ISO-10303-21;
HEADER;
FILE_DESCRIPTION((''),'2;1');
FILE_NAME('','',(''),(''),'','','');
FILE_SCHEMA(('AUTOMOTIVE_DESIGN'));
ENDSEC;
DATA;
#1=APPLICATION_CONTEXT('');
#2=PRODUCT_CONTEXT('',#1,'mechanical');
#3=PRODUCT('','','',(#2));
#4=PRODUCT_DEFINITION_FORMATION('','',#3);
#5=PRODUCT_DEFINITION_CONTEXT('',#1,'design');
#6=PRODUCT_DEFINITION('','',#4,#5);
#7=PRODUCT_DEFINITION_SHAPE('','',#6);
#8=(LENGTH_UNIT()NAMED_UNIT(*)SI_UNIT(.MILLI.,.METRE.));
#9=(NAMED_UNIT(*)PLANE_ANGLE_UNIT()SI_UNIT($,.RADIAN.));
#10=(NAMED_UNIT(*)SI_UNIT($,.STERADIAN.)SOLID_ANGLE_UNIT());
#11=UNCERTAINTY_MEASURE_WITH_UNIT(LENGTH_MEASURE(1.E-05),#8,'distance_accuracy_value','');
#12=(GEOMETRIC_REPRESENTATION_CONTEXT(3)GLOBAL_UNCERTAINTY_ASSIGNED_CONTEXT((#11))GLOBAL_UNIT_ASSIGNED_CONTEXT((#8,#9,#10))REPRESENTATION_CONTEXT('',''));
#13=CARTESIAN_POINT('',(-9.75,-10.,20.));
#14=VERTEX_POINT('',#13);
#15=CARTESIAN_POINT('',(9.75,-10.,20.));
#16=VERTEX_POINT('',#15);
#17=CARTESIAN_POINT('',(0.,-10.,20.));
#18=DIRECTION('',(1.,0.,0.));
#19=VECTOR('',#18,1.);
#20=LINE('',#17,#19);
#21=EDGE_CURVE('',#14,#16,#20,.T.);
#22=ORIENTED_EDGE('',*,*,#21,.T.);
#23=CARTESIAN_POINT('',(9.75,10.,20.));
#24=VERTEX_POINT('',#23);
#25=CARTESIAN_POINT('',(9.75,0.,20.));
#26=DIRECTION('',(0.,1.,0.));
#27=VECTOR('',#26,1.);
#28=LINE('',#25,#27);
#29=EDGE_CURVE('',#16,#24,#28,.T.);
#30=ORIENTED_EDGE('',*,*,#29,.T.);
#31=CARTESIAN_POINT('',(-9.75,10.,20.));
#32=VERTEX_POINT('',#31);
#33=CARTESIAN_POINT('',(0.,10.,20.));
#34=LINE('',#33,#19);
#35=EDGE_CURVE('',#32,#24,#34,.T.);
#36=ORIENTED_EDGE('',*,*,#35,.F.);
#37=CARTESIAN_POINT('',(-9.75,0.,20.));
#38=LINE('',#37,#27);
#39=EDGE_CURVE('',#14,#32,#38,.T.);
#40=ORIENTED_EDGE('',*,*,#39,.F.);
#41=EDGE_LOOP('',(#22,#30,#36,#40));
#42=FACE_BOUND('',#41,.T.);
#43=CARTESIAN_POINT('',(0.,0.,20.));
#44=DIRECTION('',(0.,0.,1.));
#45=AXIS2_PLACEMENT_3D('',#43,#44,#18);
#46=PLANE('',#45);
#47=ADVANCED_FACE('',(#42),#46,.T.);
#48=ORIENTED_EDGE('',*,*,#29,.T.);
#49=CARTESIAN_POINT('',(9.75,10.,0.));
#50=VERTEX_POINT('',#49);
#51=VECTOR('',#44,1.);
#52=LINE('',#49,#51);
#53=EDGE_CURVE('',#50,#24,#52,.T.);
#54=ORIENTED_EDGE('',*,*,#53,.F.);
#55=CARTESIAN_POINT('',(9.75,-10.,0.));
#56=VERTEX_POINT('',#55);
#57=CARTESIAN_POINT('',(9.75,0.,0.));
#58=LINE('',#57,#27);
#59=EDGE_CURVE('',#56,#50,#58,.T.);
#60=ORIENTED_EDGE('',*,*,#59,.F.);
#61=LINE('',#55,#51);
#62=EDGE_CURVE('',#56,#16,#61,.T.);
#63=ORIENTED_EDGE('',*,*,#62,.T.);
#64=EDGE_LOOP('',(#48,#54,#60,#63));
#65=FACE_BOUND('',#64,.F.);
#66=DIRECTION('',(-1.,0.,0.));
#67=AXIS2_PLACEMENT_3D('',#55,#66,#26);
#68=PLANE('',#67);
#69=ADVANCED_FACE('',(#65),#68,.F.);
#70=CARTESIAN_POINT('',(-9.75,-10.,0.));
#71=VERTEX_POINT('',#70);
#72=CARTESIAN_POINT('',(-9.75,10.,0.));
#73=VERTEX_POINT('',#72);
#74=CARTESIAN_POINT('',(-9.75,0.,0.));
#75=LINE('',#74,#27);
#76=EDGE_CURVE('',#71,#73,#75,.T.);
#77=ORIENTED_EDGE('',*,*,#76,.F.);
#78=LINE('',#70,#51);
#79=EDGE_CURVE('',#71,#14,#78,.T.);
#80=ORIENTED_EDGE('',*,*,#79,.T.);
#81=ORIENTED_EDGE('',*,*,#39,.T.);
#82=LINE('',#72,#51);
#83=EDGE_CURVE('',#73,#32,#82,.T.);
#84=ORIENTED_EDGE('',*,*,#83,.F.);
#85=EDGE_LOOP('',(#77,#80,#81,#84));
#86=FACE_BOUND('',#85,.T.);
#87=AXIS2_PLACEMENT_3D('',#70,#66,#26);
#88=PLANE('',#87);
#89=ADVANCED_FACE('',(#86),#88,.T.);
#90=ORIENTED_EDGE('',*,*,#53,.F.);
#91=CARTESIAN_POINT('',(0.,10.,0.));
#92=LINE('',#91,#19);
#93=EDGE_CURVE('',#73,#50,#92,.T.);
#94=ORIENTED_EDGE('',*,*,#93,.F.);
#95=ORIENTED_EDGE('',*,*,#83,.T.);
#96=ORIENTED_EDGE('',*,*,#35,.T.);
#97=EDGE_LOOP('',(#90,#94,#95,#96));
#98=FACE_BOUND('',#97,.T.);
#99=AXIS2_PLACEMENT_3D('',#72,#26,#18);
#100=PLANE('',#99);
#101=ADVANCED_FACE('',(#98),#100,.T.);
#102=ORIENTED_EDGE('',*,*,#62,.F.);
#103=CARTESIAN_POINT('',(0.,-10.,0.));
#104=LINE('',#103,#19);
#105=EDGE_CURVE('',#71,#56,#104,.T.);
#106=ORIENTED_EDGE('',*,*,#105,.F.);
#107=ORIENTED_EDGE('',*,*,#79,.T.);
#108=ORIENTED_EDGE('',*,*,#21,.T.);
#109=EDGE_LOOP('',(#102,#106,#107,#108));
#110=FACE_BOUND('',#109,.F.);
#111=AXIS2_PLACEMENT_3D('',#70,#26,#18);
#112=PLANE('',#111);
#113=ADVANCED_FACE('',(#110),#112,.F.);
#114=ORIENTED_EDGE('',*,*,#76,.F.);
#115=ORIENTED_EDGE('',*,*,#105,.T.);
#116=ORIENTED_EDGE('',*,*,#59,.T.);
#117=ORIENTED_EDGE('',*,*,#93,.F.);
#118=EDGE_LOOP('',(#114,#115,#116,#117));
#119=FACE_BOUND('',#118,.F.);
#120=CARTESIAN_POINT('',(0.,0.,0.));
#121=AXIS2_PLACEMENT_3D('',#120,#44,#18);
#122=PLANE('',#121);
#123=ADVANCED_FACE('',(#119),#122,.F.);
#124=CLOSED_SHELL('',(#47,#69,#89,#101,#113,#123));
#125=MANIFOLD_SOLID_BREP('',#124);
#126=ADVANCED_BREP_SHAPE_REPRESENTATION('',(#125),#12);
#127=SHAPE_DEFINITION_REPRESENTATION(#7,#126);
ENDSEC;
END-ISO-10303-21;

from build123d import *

# Parameters (mm, degrees)
BOX_W     = 19.5
BOX_H     = 20
BOX_DEPTH = 20


with BuildPart() as part:
    # Box → Box (join)
    with BuildSketch(Plane(origin=(-9.75, -10, 0), x_dir=(1, 0, 0), z_dir=(0, 0, 1))):
        with Locations((9.75, 10)):
            Rectangle(BOX_W, BOX_H)
    extrude(amount=BOX_DEPTH)


solid = part.part
